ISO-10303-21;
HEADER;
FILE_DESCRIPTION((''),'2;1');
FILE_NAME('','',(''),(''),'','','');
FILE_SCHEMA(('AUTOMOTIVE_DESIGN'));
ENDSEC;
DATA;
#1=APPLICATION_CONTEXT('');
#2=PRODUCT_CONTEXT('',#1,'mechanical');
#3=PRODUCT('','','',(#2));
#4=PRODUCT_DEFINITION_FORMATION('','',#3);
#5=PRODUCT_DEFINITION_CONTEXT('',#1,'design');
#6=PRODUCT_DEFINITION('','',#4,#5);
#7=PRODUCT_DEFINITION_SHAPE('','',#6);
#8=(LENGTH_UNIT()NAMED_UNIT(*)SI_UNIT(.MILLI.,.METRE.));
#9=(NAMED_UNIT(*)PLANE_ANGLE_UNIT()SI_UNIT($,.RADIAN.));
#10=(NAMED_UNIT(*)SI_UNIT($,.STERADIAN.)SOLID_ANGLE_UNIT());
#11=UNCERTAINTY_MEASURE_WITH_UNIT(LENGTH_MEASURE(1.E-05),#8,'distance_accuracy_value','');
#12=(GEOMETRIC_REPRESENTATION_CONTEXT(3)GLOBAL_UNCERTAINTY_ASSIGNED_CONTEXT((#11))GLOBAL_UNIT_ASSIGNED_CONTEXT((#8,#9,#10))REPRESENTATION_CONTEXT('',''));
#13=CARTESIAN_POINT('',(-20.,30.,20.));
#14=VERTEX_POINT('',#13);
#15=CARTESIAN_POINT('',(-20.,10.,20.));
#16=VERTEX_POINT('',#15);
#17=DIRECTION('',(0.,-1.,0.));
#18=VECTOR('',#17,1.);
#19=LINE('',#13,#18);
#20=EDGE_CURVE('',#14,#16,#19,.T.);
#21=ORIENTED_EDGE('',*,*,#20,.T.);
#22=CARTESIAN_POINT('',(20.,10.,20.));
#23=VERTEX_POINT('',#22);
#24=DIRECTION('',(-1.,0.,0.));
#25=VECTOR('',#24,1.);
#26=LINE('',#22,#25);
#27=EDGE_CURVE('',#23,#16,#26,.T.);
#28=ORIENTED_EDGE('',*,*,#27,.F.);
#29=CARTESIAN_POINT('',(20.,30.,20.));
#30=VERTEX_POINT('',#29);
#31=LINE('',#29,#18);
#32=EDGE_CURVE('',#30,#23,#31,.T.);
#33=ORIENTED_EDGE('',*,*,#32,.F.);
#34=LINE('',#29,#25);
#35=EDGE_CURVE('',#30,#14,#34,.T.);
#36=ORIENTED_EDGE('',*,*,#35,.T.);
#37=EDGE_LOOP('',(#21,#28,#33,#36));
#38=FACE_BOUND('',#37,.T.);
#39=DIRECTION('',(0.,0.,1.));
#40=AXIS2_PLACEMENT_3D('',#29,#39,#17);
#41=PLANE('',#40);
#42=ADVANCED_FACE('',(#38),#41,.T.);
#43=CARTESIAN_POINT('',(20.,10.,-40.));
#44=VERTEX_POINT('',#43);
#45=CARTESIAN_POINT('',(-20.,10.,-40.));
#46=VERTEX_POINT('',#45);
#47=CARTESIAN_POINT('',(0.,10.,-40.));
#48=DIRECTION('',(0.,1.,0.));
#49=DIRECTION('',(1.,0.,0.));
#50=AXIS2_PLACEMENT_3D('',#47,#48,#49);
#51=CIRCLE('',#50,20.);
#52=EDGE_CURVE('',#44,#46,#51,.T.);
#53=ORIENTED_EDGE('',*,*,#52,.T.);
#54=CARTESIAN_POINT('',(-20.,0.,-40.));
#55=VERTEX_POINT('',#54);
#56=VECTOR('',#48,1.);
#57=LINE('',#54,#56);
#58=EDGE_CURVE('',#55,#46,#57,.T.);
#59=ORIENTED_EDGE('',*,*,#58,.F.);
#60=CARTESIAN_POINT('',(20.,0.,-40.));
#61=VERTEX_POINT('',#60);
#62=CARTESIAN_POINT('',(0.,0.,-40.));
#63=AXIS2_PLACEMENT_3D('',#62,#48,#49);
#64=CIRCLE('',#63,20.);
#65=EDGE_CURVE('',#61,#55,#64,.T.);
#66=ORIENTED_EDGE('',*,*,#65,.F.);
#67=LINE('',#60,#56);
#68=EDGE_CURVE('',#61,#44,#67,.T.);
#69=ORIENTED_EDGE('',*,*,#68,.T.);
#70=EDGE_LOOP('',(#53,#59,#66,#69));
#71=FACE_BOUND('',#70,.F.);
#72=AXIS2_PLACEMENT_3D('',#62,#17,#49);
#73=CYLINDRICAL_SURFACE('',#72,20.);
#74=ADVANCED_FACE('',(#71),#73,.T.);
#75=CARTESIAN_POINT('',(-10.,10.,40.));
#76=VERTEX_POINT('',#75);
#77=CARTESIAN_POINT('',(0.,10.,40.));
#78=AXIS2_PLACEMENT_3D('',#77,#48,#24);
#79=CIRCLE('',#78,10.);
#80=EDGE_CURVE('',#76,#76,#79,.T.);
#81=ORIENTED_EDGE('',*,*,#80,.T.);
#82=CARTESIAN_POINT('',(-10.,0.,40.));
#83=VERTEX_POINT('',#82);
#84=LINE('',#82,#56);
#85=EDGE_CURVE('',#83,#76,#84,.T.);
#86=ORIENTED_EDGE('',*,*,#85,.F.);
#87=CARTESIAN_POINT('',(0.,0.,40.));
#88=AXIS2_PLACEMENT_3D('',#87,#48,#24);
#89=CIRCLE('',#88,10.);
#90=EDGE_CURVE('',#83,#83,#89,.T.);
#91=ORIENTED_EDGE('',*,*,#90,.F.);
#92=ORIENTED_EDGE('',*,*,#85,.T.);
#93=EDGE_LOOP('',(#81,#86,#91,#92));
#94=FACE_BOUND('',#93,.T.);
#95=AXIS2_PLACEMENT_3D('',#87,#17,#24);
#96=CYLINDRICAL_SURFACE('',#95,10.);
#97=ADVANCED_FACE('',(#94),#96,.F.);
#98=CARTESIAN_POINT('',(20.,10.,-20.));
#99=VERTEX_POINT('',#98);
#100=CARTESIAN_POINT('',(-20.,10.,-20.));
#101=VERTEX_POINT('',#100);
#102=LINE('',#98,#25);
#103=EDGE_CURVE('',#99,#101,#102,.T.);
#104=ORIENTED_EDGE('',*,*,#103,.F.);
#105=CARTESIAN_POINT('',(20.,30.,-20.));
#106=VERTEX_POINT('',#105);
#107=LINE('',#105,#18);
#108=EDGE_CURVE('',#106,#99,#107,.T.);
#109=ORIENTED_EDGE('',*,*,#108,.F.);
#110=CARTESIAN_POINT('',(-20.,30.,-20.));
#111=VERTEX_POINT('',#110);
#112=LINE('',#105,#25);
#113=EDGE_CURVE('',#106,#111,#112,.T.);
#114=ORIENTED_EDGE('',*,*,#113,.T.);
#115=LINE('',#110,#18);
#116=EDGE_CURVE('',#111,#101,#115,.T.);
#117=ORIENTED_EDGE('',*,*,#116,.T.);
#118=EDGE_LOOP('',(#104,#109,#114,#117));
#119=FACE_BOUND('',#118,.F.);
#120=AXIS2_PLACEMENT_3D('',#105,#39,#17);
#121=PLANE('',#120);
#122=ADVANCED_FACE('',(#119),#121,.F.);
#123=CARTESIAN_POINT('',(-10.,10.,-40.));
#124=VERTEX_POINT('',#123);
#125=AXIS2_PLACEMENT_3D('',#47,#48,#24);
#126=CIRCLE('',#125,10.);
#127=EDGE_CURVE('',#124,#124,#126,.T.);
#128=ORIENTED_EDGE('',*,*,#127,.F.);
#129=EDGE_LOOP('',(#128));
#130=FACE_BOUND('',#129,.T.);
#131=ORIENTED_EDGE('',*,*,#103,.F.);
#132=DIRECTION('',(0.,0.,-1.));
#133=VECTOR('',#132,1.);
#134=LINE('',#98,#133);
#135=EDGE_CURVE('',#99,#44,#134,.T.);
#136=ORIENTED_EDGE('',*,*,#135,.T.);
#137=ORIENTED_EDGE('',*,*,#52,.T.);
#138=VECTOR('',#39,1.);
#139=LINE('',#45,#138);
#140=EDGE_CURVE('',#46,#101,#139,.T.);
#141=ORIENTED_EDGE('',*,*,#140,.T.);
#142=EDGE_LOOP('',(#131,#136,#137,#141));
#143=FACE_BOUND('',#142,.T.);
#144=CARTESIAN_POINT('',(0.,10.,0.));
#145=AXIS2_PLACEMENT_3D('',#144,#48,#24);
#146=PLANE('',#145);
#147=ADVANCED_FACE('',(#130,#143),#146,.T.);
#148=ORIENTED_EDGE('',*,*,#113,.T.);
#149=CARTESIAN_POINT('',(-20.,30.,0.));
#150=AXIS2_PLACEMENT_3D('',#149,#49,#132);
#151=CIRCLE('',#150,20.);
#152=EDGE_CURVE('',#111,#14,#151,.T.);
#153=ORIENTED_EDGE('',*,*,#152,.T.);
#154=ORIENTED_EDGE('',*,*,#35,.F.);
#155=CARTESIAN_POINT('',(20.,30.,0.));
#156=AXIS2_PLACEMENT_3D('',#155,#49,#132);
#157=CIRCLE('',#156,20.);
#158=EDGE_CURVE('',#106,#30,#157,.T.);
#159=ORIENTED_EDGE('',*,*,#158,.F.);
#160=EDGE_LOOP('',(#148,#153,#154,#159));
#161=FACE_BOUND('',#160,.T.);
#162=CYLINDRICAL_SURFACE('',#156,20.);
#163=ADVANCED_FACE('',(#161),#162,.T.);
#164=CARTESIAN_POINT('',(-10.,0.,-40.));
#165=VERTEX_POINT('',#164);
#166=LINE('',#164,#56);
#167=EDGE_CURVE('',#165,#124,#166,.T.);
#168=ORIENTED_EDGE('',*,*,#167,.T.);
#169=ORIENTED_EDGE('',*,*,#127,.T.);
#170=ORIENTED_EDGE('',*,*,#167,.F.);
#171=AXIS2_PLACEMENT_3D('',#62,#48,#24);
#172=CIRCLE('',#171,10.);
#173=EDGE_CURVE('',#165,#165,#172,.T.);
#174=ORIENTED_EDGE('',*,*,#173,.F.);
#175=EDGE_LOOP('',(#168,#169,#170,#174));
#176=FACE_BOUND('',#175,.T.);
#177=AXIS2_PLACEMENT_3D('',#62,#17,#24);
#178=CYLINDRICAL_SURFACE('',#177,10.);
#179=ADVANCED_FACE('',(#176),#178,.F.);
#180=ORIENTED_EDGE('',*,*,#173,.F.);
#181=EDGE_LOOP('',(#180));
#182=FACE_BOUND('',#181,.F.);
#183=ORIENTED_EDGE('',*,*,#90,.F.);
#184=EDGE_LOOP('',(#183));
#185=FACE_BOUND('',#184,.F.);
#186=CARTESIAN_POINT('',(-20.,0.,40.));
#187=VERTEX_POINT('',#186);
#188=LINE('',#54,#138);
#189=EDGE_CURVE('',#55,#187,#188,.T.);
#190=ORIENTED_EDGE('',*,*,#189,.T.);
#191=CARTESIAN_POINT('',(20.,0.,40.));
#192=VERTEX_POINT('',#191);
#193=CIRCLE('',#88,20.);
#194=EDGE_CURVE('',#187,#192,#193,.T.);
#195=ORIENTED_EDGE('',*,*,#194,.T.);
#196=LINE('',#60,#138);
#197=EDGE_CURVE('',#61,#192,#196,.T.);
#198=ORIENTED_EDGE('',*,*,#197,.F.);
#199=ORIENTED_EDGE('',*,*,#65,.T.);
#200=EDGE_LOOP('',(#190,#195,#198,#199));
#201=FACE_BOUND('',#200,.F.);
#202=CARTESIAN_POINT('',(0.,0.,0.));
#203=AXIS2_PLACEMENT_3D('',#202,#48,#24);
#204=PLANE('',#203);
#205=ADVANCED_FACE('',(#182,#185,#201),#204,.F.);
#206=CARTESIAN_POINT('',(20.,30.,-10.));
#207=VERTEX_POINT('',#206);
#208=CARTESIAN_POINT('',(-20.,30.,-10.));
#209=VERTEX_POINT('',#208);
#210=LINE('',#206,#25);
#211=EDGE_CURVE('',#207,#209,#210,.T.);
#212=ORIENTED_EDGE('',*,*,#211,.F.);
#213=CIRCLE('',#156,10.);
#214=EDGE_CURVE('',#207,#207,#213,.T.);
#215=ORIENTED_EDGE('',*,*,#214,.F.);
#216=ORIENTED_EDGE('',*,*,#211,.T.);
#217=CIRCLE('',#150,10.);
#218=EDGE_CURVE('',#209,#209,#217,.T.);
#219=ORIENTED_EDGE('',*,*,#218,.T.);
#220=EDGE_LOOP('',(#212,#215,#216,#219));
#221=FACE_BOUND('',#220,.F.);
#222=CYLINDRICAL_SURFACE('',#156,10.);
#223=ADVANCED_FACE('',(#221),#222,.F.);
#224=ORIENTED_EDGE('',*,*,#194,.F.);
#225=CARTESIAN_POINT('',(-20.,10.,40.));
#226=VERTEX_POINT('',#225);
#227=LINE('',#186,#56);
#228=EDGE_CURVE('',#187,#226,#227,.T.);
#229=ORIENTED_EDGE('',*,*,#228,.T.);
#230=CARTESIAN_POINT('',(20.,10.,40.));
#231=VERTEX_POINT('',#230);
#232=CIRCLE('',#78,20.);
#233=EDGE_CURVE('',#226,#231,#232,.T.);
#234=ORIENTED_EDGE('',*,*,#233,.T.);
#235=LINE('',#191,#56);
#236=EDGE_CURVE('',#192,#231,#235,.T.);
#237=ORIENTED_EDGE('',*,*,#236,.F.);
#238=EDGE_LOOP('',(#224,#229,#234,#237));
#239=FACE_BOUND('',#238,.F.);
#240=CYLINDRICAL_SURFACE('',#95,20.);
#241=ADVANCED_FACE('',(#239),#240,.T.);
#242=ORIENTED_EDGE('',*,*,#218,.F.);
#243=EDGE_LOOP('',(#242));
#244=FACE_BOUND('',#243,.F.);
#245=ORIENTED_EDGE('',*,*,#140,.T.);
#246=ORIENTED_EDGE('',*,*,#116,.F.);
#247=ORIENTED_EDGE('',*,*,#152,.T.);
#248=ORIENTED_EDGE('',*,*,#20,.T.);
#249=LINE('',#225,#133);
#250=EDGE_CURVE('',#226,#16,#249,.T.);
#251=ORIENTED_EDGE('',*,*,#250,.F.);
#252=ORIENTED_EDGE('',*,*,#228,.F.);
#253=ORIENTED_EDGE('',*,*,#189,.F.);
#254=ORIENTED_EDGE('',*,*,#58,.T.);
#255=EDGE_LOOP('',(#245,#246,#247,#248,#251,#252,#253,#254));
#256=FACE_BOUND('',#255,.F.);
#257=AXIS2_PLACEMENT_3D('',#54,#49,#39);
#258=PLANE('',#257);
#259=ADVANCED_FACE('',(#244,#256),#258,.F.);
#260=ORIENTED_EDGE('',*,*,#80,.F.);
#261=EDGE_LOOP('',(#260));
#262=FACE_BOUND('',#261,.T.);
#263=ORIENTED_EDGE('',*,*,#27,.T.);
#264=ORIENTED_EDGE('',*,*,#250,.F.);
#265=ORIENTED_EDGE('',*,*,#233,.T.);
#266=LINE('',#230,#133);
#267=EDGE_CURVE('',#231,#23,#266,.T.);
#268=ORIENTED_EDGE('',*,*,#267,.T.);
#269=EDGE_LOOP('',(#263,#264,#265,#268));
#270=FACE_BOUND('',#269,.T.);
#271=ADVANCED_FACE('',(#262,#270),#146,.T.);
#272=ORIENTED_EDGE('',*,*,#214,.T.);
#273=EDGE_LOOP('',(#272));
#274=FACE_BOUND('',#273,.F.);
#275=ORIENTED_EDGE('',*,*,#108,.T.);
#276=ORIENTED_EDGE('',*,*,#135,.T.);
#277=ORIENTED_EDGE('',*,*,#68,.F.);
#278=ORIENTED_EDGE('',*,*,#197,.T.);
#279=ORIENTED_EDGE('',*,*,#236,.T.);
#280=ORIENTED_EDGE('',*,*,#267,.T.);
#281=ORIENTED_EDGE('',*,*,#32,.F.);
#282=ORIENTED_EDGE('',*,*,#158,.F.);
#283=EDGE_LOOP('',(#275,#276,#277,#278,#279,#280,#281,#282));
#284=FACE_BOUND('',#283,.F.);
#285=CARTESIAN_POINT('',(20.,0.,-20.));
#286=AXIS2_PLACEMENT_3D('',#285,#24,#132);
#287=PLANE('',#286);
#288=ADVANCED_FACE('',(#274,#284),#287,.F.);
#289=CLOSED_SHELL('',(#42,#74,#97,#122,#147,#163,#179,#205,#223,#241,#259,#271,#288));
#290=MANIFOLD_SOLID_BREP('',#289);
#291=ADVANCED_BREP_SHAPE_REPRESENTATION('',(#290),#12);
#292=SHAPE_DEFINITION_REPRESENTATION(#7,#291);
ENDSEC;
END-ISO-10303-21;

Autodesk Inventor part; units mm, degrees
ref_plane "YZ Plane" through (0, 0, 0) normal (1, 0, 0) x (0, 1, 0)
ref_plane "XZ Plane" through (0, 0, 0) normal (0, 1, 0) x (-1, 0, 0)
ref_plane "XY Plane" through (0, 0, 0) normal (0, 0, 1) x (1, 0, 0)
sketch "Boceto1" plane through (0, 0, 0) normal (0, 1, 0) x (-1, 0, 0)
  line L0 (20, -20) -> (20, 20)
  line L1 (-20, 20) -> (-20, -20)
  line L2 (-20, -20) -> (20, 20) construction
  line L3 (20, -20) -> (-20, 20) construction
  line L4 (0, 20) -> (0, 40) construction
  circle A0 centre (0, 40) radius 10
  arc A1 (20, 40) -> (-20, 40) centre (0, 40) ccw
  line L5 (0, -20) -> (0, -40) construction
  circle A2 centre (0, -40) radius 10
  arc A3 (-20, -40) -> (20, -40) centre (0, -40) ccw
  line L6 (20, 40) -> (20, 20)
  line L7 (-20, 40) -> (-20, 20)
  line L8 (20, -40) -> (20, -20)
  line L9 (-20, -20) -> (-20, -40)
  point P0 (0, 0)
  dimension "d1" = 40
  dimension "d3" = 20
  dimension "d4" = 40
  dimension "d6" = 20
  dimension "d7" = 40
extrude "Extrusión1" add sketch "Boceto1" along normal blind 10
sketch "Boceto2" plane through (20, 0, 40) normal (1, 0, 0) x (0, 0, -1)
  line L0 (0, 10) -> (80, 10) construction
  line L1 (40, 10) -> (40, 30) construction
  line L2 (40, 10) -> (60, 10) construction
  arc A0 (60, 30) -> (20, 30) centre (40, 30) ccw
  circle A1 centre (40, 30) radius 10
  line L3 (20, 30) -> (20, 10)
  line L4 (60, 30) -> (60, 10)
  line L5 (20, 10) -> (60, 10)
  point P0 (40, 0)
  dimension "d12" = 40
  dimension "d13" = 20
extrude "Extrusión2" add sketch "Boceto2" against normal blind 40
properties part number "Actividad#1"
